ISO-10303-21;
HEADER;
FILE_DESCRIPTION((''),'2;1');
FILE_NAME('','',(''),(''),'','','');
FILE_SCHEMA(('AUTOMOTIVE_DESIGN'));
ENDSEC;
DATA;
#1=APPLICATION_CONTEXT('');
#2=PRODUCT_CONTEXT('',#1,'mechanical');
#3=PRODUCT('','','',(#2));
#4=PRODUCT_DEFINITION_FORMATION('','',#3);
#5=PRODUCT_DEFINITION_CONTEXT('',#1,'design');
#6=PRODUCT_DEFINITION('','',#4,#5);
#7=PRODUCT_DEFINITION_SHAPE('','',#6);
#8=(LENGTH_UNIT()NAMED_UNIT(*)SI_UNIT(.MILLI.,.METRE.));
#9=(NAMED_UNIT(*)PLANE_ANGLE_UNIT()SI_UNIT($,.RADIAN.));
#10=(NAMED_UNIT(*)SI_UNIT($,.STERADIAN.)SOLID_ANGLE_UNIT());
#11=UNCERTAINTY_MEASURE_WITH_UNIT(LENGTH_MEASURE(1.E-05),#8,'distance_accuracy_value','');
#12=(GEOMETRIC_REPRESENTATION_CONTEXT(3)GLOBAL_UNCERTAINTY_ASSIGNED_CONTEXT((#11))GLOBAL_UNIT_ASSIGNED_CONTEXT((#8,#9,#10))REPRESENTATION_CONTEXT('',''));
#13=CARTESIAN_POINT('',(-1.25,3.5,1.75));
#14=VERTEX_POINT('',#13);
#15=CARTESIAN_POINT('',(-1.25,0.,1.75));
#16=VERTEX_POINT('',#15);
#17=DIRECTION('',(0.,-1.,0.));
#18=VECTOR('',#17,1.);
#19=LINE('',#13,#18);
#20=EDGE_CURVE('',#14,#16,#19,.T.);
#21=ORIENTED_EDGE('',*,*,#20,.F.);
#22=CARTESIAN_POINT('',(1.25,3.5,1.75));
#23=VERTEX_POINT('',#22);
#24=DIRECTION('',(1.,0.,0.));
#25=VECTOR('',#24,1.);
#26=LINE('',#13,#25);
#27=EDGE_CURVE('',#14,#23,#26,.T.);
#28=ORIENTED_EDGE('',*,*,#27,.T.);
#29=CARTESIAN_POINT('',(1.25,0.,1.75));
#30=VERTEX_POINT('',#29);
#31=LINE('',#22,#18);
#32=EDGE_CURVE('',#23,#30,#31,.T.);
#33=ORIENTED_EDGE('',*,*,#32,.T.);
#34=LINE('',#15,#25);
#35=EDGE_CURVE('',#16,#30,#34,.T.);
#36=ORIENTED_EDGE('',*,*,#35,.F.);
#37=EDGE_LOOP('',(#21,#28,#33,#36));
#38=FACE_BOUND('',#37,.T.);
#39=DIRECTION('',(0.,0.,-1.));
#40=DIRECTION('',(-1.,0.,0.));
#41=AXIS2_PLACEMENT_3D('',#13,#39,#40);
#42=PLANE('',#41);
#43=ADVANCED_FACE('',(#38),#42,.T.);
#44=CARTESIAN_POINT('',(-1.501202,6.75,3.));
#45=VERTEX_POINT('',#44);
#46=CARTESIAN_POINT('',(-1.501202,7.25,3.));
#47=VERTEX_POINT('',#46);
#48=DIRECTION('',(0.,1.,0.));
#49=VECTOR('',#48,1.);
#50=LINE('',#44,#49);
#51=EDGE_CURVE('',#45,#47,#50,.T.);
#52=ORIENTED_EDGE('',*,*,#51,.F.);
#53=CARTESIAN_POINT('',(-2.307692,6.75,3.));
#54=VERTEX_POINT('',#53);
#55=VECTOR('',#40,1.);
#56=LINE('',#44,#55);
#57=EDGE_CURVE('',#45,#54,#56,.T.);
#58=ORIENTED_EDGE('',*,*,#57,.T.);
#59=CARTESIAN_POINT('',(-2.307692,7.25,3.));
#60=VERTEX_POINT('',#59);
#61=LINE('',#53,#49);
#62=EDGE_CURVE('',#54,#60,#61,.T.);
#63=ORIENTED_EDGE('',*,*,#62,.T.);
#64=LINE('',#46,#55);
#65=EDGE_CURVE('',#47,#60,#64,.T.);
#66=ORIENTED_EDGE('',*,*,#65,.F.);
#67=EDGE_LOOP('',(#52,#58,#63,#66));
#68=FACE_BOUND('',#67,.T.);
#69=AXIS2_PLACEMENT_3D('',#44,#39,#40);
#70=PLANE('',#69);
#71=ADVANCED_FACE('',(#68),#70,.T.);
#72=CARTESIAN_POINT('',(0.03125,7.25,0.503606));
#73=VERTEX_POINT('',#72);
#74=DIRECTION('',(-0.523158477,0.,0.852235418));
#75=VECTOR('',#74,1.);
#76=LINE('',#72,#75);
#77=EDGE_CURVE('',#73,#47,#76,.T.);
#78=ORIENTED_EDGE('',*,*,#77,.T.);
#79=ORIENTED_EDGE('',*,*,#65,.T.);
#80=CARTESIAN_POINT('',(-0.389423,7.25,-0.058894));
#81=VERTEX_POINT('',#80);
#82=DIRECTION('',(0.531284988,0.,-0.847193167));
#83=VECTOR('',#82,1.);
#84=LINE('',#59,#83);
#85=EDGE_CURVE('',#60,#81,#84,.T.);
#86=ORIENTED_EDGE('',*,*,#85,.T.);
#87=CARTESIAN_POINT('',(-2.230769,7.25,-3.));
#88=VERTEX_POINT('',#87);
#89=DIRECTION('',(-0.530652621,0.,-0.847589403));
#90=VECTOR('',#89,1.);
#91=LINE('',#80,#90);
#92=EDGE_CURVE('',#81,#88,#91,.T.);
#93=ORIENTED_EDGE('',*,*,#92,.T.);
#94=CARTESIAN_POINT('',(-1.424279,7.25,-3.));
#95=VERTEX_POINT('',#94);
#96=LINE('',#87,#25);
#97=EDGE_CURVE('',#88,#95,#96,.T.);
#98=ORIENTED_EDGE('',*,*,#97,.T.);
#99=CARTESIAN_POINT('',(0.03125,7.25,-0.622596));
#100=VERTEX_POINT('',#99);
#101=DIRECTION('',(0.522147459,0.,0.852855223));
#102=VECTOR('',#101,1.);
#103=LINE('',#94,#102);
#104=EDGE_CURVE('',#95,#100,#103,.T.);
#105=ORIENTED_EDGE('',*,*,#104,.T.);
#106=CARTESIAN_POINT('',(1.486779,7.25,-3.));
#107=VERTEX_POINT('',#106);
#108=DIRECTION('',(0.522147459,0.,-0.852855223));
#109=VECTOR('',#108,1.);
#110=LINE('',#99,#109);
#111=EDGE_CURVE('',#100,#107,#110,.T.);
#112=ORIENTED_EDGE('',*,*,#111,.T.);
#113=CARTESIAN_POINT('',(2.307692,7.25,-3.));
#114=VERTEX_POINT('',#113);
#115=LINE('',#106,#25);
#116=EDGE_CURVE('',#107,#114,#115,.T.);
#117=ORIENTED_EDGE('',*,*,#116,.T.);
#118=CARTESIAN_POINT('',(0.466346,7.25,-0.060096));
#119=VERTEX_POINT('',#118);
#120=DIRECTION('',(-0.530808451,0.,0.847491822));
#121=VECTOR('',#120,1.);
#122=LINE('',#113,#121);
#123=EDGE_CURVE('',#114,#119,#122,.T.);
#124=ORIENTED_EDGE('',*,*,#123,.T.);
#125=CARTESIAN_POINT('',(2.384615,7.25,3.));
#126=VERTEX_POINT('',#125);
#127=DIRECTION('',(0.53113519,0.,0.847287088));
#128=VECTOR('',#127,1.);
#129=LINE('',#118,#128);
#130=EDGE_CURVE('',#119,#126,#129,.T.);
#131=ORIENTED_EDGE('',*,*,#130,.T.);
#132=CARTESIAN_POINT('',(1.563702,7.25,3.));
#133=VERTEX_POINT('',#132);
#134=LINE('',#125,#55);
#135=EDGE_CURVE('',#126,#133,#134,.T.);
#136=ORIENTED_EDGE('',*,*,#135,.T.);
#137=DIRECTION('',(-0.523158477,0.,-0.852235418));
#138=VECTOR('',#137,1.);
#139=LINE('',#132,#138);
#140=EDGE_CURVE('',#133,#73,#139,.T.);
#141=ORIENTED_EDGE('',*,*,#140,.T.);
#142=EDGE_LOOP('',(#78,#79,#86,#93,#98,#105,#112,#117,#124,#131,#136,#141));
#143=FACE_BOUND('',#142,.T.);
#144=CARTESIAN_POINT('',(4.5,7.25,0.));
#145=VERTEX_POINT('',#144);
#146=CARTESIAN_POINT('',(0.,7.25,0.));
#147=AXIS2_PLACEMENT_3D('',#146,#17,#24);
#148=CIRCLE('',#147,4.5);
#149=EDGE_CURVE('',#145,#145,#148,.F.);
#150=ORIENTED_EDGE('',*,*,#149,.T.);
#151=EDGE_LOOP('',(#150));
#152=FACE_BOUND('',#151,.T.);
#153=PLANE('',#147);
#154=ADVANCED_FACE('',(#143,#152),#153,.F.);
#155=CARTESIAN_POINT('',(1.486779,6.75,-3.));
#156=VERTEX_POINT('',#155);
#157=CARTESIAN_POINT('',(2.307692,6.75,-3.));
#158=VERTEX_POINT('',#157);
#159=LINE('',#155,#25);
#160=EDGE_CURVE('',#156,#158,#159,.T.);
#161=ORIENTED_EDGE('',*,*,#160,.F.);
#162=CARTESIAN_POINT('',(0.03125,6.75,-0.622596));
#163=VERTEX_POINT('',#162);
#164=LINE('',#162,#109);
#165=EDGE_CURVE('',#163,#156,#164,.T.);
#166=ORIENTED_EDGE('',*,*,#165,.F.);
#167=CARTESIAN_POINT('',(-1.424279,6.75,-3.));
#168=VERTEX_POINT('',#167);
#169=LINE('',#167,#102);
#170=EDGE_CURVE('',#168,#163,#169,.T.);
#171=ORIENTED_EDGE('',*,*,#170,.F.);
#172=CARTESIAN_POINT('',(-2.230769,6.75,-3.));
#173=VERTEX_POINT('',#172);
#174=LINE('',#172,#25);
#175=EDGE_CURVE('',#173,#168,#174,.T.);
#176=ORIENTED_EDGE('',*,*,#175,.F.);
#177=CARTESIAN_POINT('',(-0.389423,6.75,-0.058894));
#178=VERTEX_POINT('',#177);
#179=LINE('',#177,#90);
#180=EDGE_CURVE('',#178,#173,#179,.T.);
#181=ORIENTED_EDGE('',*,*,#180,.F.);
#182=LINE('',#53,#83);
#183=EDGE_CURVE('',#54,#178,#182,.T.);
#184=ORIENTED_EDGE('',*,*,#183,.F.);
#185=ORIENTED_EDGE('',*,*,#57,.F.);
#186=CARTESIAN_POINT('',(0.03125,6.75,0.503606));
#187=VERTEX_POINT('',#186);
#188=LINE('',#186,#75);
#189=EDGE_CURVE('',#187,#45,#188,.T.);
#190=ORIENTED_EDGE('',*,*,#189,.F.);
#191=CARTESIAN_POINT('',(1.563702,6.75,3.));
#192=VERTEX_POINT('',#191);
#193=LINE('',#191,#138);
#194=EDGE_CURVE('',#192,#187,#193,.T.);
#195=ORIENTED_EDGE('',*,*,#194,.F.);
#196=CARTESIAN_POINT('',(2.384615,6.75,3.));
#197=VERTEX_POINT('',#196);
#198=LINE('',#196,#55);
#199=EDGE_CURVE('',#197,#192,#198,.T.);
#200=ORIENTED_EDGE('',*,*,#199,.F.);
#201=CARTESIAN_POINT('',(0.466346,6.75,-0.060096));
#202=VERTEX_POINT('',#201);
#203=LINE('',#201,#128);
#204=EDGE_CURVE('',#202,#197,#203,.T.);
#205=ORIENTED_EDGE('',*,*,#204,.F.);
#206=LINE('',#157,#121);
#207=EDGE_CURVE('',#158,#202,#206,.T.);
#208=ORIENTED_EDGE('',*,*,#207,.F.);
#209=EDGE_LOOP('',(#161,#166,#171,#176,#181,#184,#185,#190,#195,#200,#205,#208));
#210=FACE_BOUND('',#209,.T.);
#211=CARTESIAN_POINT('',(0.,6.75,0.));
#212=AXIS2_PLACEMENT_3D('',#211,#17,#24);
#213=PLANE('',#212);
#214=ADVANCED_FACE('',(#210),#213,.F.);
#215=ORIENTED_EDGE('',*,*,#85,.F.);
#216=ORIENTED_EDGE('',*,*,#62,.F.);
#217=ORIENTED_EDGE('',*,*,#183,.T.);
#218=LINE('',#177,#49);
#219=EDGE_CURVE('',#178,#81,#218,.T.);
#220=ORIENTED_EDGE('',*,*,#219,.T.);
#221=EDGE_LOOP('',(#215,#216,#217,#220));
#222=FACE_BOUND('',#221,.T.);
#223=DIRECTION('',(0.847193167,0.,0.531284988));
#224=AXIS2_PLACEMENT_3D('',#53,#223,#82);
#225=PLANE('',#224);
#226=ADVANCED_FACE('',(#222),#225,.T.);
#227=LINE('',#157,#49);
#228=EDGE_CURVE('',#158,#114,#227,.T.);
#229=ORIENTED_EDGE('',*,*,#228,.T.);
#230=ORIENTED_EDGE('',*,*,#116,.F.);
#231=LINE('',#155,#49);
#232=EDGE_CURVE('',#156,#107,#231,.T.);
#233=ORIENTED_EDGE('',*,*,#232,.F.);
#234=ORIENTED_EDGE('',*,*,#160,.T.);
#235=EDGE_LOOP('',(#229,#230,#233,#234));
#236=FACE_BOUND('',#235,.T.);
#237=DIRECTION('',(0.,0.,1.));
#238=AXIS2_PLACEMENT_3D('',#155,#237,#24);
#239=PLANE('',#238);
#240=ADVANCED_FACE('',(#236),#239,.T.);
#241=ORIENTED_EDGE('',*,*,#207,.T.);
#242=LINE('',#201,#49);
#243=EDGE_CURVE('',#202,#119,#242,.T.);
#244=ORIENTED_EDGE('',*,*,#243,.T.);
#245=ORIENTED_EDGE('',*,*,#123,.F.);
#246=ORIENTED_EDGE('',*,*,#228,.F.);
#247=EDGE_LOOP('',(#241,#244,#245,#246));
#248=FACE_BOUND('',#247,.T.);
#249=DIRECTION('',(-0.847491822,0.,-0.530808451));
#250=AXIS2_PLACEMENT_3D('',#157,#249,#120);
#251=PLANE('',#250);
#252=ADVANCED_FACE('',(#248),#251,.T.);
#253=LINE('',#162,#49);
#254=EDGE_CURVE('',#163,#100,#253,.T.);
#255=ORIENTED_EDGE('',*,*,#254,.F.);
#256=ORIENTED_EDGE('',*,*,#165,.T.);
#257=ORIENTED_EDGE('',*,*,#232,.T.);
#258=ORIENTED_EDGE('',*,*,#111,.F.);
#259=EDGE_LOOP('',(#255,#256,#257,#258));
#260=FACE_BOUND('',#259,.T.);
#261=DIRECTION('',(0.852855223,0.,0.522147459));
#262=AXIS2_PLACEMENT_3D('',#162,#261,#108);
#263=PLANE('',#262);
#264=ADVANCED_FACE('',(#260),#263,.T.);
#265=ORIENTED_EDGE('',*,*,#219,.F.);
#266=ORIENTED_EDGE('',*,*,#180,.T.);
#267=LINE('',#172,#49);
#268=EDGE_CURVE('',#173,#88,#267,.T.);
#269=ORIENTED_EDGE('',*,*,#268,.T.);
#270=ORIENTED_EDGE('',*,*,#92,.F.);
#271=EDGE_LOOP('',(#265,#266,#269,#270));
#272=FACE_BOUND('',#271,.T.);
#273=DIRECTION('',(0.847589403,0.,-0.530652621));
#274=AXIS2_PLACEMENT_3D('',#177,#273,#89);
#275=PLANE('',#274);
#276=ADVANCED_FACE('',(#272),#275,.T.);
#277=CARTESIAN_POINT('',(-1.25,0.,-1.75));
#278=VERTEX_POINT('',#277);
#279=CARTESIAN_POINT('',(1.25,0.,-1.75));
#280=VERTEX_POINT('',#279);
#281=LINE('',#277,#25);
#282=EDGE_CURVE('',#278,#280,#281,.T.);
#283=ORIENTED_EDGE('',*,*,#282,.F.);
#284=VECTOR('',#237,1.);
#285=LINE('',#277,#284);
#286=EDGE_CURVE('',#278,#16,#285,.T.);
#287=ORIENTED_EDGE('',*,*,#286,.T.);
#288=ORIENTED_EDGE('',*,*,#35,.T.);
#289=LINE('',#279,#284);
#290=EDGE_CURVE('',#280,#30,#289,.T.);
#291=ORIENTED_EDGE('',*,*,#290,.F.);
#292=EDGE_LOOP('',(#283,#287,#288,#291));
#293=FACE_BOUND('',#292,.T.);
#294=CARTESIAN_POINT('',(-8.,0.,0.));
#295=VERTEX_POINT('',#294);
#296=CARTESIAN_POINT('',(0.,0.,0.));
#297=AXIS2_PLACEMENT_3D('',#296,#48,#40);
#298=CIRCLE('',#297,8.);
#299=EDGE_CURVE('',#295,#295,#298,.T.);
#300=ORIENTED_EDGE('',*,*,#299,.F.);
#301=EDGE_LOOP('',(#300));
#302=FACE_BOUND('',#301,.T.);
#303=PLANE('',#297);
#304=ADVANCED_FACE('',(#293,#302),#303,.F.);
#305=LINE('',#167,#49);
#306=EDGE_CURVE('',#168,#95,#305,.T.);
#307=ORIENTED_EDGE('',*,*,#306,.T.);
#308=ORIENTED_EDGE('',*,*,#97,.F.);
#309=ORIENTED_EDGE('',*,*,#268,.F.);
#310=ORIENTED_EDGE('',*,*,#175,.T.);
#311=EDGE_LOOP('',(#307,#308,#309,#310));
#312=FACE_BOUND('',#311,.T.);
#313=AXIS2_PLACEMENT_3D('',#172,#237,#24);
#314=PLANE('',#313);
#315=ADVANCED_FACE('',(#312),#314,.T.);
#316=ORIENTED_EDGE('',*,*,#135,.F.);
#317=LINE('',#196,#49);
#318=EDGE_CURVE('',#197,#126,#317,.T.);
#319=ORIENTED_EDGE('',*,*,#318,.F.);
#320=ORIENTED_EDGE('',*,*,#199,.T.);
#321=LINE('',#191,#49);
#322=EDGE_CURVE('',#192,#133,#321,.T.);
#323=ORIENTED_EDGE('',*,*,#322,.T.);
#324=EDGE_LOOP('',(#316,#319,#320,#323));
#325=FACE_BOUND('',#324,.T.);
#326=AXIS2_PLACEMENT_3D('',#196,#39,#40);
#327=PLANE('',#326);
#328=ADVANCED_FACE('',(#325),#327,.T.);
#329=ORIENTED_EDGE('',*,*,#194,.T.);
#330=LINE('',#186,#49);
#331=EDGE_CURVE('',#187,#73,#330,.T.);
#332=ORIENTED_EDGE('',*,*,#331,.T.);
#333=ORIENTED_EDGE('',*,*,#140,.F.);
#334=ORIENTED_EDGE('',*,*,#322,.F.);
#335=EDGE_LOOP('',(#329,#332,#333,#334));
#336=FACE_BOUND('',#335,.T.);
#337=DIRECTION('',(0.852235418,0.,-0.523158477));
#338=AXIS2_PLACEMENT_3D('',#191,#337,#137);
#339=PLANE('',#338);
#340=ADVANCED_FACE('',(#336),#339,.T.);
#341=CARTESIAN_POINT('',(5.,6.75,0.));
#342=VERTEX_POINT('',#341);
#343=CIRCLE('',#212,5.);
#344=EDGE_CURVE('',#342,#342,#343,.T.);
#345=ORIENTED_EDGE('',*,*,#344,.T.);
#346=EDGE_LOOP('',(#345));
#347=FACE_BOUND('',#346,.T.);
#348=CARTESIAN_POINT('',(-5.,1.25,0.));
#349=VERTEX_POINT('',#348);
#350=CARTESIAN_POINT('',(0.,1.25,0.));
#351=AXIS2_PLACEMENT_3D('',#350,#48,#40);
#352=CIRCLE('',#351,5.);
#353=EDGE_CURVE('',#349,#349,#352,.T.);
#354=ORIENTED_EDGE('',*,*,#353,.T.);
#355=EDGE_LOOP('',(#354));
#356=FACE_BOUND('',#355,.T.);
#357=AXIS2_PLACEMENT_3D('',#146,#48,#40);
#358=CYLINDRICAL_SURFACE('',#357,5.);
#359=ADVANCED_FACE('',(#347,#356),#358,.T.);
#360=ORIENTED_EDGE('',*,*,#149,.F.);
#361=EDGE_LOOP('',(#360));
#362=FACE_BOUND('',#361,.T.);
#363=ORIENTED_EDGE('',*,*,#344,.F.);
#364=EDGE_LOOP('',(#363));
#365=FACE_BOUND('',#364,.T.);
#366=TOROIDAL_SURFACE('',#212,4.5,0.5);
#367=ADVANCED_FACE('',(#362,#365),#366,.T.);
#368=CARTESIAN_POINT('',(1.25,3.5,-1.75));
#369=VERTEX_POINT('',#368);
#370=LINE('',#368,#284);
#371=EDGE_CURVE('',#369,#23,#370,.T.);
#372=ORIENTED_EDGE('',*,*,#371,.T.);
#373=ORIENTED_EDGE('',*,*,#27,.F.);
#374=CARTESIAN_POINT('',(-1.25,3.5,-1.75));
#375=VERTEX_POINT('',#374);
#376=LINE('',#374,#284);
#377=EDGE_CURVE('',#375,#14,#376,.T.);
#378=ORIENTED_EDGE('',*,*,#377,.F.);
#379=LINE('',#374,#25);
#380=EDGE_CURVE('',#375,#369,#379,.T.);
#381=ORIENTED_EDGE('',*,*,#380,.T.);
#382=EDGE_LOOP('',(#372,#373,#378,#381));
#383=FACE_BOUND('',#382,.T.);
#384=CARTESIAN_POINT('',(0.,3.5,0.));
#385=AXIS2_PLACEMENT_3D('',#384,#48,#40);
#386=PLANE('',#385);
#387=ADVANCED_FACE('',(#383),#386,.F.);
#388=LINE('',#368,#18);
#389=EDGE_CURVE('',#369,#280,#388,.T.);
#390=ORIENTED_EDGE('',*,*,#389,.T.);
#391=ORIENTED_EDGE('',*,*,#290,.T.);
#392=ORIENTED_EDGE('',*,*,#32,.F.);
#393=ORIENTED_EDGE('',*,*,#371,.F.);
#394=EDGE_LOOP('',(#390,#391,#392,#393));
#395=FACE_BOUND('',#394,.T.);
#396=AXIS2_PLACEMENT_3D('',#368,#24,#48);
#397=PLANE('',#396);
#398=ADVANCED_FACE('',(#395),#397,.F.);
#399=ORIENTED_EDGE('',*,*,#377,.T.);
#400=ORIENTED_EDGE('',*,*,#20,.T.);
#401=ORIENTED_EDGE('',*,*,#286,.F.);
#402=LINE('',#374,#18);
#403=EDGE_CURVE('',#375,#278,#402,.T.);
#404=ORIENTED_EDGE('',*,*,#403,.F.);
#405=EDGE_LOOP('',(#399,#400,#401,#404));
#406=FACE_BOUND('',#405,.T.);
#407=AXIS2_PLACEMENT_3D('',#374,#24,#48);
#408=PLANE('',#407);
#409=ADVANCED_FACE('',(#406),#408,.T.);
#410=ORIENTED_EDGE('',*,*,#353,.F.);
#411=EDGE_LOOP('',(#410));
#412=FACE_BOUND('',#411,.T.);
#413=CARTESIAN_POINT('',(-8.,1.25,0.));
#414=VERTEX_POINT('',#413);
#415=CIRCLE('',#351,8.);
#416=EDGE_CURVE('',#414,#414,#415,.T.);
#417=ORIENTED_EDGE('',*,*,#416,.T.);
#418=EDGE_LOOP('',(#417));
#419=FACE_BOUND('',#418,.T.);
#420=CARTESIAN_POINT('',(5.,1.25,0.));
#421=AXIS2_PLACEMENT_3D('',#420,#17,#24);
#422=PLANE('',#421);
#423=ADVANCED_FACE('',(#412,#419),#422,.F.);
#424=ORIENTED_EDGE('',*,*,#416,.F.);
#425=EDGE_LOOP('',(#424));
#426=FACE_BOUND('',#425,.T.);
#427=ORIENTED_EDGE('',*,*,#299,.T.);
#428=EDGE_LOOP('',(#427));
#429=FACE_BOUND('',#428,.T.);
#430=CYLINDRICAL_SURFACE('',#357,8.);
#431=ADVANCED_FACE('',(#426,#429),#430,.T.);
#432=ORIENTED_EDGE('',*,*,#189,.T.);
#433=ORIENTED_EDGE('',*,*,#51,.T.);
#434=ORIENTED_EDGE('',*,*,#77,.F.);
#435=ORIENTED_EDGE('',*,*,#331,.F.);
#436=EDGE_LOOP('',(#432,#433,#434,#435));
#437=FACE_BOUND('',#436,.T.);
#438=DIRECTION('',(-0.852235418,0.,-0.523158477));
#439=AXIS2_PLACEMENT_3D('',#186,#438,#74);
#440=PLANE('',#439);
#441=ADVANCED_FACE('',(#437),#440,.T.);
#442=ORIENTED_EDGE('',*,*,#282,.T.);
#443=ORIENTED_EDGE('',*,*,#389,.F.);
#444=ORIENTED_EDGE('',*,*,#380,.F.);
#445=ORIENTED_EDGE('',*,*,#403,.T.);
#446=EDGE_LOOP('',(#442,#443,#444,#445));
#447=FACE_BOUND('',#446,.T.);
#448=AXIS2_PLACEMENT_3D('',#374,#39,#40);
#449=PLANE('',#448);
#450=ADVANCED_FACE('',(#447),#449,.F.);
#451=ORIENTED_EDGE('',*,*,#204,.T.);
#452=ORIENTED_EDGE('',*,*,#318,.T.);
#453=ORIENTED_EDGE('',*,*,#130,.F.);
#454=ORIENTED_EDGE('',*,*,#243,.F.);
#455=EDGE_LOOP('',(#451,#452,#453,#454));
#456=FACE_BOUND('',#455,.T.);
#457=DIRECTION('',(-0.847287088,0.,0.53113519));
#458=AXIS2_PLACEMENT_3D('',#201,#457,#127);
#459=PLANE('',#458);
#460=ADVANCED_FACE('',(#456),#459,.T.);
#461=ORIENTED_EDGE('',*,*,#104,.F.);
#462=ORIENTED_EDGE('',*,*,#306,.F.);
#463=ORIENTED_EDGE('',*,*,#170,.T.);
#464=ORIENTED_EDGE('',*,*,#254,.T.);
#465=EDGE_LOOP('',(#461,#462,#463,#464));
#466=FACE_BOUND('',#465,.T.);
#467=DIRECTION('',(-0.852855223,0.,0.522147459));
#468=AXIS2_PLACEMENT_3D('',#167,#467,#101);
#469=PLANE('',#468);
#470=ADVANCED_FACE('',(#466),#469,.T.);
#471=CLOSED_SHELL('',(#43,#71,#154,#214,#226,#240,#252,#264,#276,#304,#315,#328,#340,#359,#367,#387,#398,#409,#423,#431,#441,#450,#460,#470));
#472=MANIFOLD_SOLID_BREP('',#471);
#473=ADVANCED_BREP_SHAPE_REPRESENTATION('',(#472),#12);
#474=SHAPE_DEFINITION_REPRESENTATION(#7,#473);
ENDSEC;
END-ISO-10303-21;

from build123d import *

# Parameters (mm, degrees)
SKETCH2_W          = 2.5
SKETCH2_H          = 3.5
CUT_EXTRUDE1_DEPTH = 3.5
FILLET1_R          = 0.5
CUT_EXTRUDE2_DEPTH = 0.5


with BuildPart() as part:
    # Sketch1 → Revolve1 (revolve)
    with BuildSketch(Plane.XY, mode=Mode.PRIVATE) as revolve1_sk:
        Polygon((0, 7.25), (5, 7.25), (5, 1.25), (8, 1.25), (8, 0), (0, 0), align=None)
    revolve(revolve1_sk.sketch.rotate(Axis((0, 7.25, 0), (0, -1, 0)), 180), axis=Axis((0, 7.25, 0), (0, -1, 0)))

    # Sketch2 → Cut-Extrude1 (cut)
    with BuildSketch(Plane.XZ):
        Rectangle(SKETCH2_W, SKETCH2_H)
    extrude(amount=-CUT_EXTRUDE1_DEPTH, mode=Mode.SUBTRACT)

    # Fillet1
    fillet1_edges = [part.edges().sort_by_distance(p)[0] for p in [
        (5, 7.25, 0),
    ]]
    fillet(fillet1_edges, radius=FILLET1_R)

    # Sketch3 → Cut-Extrude2 (cut)
    with BuildSketch(Plane(origin=(0, 7.25, 0), x_dir=(1, 0, 0), z_dir=(0, 1, 0))):
        Polygon((-2.230769231, 3), (-1.424278846, 3), (0.03125, 0.622596154), (1.486778846, 3), (2.307692308, 3), (0.466346154, 0.060096154), (2.384615385, -3), (1.563701923, -3), (0.03125, -0.503605769), (-1.501201923, -3), (-2.307692308, -3), (-0.389423077, 0.058894231), align=None)
    extrude(amount=-CUT_EXTRUDE2_DEPTH, mode=Mode.SUBTRACT)


solid = part.part
